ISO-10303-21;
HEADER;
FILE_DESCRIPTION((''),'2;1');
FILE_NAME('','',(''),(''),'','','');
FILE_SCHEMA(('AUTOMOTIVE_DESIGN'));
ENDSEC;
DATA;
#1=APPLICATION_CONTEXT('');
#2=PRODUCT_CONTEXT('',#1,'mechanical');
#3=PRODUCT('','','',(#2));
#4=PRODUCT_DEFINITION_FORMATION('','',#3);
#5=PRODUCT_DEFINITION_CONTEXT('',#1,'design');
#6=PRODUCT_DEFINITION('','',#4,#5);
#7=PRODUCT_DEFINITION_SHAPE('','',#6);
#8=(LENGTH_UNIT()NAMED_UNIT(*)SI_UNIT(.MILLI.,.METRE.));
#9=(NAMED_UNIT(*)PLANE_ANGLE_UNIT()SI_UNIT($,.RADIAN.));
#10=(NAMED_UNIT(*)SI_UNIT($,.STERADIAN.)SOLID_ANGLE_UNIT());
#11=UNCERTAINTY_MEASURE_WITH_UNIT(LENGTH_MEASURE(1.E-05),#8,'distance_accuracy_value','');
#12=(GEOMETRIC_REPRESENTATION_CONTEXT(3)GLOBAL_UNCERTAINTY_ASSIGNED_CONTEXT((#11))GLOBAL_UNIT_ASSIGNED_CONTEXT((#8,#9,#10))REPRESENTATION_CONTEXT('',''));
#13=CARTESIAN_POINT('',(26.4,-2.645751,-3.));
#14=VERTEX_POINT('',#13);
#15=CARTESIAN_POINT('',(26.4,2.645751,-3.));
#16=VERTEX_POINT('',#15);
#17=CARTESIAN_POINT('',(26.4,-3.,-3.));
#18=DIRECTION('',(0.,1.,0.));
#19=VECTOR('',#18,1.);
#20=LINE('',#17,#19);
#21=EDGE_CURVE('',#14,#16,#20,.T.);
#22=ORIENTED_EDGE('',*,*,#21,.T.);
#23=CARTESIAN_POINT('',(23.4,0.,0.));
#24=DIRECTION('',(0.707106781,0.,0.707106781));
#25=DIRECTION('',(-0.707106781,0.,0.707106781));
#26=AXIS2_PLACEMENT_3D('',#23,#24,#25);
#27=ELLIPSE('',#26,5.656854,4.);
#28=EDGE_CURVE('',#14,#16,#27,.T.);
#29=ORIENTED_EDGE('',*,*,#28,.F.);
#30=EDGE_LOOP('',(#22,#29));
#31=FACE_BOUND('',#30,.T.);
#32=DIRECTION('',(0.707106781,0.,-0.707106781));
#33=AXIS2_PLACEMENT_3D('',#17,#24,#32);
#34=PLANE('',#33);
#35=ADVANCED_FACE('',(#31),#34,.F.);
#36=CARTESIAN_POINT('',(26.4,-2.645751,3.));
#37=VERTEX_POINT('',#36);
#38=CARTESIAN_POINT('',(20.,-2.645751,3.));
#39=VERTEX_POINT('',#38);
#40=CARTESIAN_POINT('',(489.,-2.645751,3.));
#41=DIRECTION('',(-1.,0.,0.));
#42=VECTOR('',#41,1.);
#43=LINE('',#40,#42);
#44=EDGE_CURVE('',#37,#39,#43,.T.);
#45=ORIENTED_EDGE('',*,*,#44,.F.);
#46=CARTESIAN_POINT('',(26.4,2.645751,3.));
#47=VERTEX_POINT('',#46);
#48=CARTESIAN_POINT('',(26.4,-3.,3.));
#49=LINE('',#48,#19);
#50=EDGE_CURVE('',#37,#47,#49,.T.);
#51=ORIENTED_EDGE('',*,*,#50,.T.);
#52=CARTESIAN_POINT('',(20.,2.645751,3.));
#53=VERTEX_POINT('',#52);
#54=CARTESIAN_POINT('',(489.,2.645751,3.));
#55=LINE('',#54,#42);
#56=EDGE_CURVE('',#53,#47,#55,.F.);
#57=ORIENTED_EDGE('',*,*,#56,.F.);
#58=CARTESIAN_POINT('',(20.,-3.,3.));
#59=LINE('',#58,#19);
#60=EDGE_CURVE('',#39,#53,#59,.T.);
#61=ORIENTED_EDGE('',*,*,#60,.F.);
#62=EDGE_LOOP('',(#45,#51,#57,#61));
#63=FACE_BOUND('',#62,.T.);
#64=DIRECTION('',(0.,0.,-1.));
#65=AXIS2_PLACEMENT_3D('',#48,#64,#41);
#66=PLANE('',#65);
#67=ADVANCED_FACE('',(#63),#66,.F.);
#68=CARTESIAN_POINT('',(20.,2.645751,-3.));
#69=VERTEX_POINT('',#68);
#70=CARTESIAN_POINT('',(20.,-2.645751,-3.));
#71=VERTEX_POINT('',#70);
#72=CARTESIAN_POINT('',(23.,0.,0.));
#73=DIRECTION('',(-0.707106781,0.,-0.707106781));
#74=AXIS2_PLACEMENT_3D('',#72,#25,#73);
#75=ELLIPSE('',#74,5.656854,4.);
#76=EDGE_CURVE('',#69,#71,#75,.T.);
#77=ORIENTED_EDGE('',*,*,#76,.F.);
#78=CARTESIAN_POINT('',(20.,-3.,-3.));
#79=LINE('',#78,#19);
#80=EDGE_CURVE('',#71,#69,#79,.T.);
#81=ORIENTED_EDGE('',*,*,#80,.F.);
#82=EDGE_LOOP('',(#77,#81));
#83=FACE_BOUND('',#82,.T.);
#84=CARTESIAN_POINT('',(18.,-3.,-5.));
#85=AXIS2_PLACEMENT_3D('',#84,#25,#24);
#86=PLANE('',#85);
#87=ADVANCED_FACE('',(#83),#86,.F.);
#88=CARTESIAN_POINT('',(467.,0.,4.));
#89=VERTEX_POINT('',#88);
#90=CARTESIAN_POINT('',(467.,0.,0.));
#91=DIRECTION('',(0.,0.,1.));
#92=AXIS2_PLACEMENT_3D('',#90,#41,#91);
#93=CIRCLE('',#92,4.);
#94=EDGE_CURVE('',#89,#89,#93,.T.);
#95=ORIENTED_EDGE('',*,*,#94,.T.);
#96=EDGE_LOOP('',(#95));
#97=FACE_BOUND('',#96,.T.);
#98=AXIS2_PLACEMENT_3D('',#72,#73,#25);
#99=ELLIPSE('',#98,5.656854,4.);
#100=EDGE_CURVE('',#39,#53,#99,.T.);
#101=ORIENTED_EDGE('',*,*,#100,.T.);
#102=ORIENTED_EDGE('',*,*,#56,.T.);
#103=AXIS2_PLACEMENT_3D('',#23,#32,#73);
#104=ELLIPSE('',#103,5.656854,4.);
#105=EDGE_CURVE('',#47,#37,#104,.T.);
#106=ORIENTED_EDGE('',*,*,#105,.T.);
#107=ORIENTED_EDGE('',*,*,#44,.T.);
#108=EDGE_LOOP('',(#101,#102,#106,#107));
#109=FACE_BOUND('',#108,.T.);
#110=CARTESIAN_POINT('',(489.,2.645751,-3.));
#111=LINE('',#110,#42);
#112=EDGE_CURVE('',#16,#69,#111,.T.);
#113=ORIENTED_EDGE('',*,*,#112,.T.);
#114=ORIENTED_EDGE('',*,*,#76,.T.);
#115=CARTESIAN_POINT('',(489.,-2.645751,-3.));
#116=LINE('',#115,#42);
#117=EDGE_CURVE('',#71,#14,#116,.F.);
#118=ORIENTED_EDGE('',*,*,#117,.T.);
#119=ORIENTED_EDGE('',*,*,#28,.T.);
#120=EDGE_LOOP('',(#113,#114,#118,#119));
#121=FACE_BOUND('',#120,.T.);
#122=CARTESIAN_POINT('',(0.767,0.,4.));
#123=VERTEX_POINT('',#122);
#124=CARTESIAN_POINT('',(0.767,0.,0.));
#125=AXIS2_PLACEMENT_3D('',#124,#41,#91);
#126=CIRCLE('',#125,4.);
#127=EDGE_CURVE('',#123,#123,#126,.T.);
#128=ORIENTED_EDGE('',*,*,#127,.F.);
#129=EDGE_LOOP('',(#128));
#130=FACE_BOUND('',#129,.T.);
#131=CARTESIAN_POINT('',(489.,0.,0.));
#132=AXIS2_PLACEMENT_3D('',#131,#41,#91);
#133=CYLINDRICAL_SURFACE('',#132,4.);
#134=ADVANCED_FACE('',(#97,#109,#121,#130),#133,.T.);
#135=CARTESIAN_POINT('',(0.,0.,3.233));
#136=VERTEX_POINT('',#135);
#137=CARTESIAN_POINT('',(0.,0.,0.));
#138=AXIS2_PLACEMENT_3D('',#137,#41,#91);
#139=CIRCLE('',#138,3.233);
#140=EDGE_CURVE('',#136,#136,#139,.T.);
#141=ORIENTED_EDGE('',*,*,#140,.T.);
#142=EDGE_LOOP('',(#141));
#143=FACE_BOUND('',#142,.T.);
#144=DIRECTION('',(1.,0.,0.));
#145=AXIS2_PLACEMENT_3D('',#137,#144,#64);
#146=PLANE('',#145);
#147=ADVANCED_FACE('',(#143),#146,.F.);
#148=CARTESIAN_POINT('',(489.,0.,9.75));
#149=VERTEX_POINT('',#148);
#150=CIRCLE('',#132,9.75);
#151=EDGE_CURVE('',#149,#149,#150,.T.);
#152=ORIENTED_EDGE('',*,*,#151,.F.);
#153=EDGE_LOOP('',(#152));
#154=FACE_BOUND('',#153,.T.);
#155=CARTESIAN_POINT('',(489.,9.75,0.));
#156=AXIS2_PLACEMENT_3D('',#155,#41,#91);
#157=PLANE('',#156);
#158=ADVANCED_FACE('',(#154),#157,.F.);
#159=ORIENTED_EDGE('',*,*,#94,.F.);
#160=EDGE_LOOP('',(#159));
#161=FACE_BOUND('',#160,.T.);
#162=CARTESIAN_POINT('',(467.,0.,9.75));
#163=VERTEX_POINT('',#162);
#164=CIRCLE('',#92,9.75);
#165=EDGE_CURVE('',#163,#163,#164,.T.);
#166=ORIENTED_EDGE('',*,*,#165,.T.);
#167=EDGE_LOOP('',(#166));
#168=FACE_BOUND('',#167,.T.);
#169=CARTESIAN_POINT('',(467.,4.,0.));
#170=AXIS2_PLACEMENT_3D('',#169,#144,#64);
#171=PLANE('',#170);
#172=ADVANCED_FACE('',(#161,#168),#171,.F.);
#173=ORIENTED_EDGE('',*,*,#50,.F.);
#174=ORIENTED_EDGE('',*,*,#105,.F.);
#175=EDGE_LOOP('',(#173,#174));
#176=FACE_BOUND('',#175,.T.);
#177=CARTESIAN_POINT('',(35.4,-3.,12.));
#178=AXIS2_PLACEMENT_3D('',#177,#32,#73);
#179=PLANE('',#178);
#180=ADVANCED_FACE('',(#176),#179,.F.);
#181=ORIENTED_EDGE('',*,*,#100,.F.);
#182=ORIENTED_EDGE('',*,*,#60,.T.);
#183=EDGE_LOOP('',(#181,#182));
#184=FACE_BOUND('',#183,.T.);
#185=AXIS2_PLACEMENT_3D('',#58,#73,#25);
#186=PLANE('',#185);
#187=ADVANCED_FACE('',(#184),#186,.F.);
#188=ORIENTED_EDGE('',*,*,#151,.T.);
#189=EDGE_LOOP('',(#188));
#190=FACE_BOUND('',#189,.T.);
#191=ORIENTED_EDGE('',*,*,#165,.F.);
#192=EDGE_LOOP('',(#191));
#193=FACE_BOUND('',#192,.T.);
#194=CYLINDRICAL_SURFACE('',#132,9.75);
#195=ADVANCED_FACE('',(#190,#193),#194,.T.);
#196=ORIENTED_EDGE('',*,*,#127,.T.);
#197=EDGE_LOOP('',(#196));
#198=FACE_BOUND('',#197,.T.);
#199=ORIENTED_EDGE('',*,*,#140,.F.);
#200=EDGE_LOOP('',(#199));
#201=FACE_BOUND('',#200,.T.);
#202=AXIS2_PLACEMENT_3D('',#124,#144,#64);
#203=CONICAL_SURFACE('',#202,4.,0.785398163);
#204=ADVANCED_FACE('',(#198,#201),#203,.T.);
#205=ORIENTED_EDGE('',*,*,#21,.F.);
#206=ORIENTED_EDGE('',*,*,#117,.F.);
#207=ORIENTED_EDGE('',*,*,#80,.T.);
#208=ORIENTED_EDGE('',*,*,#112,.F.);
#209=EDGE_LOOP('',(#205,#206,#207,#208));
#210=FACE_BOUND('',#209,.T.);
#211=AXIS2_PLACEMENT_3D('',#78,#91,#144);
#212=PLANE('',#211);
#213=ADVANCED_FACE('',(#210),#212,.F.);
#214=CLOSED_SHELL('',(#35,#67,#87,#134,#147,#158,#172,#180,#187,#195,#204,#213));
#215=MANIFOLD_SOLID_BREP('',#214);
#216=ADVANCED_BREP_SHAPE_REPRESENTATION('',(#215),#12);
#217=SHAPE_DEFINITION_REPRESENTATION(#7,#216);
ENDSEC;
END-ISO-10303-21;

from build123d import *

# Parameters (mm, degrees)
CUT_EXTRUDE_1_DEPTH      = 3
CUT_EXTRUDE_1_DEPTH_BACK = 3


with BuildPart() as part:
    # 草图1 → 旋转1 (revolve)
    with BuildSketch(Plane.XY):
        Polygon((0, 0), (0, 3.233), (0.767, 4), (467, 4), (467, 9.75), (489, 9.75), (489, 0), align=None)
    revolve(axis=Axis((489, 0, 0), (-1, 0, 0)))

    # 草图2 → 切除-拉伸1 (cut, two sides: drawn at the far end of the back side and taken through both)
    with BuildSketch(Plane(origin=(0, 0, 0), x_dir=(1, 0, 0), z_dir=(0, 1, 0)).offset(-CUT_EXTRUDE_1_DEPTH_BACK)):
        Polygon((-5, -12), (35.4, -12), (26.4, -3), (20, -3), (18, -5), (18, -10), (-3, -10), (-3, 10), (18, 10), (18, 5), (20, 3), (26.4, 3), (35.4, 12), (-5, 12), align=None)
    extrude(amount=CUT_EXTRUDE_1_DEPTH + CUT_EXTRUDE_1_DEPTH_BACK, mode=Mode.SUBTRACT)


solid = part.part
